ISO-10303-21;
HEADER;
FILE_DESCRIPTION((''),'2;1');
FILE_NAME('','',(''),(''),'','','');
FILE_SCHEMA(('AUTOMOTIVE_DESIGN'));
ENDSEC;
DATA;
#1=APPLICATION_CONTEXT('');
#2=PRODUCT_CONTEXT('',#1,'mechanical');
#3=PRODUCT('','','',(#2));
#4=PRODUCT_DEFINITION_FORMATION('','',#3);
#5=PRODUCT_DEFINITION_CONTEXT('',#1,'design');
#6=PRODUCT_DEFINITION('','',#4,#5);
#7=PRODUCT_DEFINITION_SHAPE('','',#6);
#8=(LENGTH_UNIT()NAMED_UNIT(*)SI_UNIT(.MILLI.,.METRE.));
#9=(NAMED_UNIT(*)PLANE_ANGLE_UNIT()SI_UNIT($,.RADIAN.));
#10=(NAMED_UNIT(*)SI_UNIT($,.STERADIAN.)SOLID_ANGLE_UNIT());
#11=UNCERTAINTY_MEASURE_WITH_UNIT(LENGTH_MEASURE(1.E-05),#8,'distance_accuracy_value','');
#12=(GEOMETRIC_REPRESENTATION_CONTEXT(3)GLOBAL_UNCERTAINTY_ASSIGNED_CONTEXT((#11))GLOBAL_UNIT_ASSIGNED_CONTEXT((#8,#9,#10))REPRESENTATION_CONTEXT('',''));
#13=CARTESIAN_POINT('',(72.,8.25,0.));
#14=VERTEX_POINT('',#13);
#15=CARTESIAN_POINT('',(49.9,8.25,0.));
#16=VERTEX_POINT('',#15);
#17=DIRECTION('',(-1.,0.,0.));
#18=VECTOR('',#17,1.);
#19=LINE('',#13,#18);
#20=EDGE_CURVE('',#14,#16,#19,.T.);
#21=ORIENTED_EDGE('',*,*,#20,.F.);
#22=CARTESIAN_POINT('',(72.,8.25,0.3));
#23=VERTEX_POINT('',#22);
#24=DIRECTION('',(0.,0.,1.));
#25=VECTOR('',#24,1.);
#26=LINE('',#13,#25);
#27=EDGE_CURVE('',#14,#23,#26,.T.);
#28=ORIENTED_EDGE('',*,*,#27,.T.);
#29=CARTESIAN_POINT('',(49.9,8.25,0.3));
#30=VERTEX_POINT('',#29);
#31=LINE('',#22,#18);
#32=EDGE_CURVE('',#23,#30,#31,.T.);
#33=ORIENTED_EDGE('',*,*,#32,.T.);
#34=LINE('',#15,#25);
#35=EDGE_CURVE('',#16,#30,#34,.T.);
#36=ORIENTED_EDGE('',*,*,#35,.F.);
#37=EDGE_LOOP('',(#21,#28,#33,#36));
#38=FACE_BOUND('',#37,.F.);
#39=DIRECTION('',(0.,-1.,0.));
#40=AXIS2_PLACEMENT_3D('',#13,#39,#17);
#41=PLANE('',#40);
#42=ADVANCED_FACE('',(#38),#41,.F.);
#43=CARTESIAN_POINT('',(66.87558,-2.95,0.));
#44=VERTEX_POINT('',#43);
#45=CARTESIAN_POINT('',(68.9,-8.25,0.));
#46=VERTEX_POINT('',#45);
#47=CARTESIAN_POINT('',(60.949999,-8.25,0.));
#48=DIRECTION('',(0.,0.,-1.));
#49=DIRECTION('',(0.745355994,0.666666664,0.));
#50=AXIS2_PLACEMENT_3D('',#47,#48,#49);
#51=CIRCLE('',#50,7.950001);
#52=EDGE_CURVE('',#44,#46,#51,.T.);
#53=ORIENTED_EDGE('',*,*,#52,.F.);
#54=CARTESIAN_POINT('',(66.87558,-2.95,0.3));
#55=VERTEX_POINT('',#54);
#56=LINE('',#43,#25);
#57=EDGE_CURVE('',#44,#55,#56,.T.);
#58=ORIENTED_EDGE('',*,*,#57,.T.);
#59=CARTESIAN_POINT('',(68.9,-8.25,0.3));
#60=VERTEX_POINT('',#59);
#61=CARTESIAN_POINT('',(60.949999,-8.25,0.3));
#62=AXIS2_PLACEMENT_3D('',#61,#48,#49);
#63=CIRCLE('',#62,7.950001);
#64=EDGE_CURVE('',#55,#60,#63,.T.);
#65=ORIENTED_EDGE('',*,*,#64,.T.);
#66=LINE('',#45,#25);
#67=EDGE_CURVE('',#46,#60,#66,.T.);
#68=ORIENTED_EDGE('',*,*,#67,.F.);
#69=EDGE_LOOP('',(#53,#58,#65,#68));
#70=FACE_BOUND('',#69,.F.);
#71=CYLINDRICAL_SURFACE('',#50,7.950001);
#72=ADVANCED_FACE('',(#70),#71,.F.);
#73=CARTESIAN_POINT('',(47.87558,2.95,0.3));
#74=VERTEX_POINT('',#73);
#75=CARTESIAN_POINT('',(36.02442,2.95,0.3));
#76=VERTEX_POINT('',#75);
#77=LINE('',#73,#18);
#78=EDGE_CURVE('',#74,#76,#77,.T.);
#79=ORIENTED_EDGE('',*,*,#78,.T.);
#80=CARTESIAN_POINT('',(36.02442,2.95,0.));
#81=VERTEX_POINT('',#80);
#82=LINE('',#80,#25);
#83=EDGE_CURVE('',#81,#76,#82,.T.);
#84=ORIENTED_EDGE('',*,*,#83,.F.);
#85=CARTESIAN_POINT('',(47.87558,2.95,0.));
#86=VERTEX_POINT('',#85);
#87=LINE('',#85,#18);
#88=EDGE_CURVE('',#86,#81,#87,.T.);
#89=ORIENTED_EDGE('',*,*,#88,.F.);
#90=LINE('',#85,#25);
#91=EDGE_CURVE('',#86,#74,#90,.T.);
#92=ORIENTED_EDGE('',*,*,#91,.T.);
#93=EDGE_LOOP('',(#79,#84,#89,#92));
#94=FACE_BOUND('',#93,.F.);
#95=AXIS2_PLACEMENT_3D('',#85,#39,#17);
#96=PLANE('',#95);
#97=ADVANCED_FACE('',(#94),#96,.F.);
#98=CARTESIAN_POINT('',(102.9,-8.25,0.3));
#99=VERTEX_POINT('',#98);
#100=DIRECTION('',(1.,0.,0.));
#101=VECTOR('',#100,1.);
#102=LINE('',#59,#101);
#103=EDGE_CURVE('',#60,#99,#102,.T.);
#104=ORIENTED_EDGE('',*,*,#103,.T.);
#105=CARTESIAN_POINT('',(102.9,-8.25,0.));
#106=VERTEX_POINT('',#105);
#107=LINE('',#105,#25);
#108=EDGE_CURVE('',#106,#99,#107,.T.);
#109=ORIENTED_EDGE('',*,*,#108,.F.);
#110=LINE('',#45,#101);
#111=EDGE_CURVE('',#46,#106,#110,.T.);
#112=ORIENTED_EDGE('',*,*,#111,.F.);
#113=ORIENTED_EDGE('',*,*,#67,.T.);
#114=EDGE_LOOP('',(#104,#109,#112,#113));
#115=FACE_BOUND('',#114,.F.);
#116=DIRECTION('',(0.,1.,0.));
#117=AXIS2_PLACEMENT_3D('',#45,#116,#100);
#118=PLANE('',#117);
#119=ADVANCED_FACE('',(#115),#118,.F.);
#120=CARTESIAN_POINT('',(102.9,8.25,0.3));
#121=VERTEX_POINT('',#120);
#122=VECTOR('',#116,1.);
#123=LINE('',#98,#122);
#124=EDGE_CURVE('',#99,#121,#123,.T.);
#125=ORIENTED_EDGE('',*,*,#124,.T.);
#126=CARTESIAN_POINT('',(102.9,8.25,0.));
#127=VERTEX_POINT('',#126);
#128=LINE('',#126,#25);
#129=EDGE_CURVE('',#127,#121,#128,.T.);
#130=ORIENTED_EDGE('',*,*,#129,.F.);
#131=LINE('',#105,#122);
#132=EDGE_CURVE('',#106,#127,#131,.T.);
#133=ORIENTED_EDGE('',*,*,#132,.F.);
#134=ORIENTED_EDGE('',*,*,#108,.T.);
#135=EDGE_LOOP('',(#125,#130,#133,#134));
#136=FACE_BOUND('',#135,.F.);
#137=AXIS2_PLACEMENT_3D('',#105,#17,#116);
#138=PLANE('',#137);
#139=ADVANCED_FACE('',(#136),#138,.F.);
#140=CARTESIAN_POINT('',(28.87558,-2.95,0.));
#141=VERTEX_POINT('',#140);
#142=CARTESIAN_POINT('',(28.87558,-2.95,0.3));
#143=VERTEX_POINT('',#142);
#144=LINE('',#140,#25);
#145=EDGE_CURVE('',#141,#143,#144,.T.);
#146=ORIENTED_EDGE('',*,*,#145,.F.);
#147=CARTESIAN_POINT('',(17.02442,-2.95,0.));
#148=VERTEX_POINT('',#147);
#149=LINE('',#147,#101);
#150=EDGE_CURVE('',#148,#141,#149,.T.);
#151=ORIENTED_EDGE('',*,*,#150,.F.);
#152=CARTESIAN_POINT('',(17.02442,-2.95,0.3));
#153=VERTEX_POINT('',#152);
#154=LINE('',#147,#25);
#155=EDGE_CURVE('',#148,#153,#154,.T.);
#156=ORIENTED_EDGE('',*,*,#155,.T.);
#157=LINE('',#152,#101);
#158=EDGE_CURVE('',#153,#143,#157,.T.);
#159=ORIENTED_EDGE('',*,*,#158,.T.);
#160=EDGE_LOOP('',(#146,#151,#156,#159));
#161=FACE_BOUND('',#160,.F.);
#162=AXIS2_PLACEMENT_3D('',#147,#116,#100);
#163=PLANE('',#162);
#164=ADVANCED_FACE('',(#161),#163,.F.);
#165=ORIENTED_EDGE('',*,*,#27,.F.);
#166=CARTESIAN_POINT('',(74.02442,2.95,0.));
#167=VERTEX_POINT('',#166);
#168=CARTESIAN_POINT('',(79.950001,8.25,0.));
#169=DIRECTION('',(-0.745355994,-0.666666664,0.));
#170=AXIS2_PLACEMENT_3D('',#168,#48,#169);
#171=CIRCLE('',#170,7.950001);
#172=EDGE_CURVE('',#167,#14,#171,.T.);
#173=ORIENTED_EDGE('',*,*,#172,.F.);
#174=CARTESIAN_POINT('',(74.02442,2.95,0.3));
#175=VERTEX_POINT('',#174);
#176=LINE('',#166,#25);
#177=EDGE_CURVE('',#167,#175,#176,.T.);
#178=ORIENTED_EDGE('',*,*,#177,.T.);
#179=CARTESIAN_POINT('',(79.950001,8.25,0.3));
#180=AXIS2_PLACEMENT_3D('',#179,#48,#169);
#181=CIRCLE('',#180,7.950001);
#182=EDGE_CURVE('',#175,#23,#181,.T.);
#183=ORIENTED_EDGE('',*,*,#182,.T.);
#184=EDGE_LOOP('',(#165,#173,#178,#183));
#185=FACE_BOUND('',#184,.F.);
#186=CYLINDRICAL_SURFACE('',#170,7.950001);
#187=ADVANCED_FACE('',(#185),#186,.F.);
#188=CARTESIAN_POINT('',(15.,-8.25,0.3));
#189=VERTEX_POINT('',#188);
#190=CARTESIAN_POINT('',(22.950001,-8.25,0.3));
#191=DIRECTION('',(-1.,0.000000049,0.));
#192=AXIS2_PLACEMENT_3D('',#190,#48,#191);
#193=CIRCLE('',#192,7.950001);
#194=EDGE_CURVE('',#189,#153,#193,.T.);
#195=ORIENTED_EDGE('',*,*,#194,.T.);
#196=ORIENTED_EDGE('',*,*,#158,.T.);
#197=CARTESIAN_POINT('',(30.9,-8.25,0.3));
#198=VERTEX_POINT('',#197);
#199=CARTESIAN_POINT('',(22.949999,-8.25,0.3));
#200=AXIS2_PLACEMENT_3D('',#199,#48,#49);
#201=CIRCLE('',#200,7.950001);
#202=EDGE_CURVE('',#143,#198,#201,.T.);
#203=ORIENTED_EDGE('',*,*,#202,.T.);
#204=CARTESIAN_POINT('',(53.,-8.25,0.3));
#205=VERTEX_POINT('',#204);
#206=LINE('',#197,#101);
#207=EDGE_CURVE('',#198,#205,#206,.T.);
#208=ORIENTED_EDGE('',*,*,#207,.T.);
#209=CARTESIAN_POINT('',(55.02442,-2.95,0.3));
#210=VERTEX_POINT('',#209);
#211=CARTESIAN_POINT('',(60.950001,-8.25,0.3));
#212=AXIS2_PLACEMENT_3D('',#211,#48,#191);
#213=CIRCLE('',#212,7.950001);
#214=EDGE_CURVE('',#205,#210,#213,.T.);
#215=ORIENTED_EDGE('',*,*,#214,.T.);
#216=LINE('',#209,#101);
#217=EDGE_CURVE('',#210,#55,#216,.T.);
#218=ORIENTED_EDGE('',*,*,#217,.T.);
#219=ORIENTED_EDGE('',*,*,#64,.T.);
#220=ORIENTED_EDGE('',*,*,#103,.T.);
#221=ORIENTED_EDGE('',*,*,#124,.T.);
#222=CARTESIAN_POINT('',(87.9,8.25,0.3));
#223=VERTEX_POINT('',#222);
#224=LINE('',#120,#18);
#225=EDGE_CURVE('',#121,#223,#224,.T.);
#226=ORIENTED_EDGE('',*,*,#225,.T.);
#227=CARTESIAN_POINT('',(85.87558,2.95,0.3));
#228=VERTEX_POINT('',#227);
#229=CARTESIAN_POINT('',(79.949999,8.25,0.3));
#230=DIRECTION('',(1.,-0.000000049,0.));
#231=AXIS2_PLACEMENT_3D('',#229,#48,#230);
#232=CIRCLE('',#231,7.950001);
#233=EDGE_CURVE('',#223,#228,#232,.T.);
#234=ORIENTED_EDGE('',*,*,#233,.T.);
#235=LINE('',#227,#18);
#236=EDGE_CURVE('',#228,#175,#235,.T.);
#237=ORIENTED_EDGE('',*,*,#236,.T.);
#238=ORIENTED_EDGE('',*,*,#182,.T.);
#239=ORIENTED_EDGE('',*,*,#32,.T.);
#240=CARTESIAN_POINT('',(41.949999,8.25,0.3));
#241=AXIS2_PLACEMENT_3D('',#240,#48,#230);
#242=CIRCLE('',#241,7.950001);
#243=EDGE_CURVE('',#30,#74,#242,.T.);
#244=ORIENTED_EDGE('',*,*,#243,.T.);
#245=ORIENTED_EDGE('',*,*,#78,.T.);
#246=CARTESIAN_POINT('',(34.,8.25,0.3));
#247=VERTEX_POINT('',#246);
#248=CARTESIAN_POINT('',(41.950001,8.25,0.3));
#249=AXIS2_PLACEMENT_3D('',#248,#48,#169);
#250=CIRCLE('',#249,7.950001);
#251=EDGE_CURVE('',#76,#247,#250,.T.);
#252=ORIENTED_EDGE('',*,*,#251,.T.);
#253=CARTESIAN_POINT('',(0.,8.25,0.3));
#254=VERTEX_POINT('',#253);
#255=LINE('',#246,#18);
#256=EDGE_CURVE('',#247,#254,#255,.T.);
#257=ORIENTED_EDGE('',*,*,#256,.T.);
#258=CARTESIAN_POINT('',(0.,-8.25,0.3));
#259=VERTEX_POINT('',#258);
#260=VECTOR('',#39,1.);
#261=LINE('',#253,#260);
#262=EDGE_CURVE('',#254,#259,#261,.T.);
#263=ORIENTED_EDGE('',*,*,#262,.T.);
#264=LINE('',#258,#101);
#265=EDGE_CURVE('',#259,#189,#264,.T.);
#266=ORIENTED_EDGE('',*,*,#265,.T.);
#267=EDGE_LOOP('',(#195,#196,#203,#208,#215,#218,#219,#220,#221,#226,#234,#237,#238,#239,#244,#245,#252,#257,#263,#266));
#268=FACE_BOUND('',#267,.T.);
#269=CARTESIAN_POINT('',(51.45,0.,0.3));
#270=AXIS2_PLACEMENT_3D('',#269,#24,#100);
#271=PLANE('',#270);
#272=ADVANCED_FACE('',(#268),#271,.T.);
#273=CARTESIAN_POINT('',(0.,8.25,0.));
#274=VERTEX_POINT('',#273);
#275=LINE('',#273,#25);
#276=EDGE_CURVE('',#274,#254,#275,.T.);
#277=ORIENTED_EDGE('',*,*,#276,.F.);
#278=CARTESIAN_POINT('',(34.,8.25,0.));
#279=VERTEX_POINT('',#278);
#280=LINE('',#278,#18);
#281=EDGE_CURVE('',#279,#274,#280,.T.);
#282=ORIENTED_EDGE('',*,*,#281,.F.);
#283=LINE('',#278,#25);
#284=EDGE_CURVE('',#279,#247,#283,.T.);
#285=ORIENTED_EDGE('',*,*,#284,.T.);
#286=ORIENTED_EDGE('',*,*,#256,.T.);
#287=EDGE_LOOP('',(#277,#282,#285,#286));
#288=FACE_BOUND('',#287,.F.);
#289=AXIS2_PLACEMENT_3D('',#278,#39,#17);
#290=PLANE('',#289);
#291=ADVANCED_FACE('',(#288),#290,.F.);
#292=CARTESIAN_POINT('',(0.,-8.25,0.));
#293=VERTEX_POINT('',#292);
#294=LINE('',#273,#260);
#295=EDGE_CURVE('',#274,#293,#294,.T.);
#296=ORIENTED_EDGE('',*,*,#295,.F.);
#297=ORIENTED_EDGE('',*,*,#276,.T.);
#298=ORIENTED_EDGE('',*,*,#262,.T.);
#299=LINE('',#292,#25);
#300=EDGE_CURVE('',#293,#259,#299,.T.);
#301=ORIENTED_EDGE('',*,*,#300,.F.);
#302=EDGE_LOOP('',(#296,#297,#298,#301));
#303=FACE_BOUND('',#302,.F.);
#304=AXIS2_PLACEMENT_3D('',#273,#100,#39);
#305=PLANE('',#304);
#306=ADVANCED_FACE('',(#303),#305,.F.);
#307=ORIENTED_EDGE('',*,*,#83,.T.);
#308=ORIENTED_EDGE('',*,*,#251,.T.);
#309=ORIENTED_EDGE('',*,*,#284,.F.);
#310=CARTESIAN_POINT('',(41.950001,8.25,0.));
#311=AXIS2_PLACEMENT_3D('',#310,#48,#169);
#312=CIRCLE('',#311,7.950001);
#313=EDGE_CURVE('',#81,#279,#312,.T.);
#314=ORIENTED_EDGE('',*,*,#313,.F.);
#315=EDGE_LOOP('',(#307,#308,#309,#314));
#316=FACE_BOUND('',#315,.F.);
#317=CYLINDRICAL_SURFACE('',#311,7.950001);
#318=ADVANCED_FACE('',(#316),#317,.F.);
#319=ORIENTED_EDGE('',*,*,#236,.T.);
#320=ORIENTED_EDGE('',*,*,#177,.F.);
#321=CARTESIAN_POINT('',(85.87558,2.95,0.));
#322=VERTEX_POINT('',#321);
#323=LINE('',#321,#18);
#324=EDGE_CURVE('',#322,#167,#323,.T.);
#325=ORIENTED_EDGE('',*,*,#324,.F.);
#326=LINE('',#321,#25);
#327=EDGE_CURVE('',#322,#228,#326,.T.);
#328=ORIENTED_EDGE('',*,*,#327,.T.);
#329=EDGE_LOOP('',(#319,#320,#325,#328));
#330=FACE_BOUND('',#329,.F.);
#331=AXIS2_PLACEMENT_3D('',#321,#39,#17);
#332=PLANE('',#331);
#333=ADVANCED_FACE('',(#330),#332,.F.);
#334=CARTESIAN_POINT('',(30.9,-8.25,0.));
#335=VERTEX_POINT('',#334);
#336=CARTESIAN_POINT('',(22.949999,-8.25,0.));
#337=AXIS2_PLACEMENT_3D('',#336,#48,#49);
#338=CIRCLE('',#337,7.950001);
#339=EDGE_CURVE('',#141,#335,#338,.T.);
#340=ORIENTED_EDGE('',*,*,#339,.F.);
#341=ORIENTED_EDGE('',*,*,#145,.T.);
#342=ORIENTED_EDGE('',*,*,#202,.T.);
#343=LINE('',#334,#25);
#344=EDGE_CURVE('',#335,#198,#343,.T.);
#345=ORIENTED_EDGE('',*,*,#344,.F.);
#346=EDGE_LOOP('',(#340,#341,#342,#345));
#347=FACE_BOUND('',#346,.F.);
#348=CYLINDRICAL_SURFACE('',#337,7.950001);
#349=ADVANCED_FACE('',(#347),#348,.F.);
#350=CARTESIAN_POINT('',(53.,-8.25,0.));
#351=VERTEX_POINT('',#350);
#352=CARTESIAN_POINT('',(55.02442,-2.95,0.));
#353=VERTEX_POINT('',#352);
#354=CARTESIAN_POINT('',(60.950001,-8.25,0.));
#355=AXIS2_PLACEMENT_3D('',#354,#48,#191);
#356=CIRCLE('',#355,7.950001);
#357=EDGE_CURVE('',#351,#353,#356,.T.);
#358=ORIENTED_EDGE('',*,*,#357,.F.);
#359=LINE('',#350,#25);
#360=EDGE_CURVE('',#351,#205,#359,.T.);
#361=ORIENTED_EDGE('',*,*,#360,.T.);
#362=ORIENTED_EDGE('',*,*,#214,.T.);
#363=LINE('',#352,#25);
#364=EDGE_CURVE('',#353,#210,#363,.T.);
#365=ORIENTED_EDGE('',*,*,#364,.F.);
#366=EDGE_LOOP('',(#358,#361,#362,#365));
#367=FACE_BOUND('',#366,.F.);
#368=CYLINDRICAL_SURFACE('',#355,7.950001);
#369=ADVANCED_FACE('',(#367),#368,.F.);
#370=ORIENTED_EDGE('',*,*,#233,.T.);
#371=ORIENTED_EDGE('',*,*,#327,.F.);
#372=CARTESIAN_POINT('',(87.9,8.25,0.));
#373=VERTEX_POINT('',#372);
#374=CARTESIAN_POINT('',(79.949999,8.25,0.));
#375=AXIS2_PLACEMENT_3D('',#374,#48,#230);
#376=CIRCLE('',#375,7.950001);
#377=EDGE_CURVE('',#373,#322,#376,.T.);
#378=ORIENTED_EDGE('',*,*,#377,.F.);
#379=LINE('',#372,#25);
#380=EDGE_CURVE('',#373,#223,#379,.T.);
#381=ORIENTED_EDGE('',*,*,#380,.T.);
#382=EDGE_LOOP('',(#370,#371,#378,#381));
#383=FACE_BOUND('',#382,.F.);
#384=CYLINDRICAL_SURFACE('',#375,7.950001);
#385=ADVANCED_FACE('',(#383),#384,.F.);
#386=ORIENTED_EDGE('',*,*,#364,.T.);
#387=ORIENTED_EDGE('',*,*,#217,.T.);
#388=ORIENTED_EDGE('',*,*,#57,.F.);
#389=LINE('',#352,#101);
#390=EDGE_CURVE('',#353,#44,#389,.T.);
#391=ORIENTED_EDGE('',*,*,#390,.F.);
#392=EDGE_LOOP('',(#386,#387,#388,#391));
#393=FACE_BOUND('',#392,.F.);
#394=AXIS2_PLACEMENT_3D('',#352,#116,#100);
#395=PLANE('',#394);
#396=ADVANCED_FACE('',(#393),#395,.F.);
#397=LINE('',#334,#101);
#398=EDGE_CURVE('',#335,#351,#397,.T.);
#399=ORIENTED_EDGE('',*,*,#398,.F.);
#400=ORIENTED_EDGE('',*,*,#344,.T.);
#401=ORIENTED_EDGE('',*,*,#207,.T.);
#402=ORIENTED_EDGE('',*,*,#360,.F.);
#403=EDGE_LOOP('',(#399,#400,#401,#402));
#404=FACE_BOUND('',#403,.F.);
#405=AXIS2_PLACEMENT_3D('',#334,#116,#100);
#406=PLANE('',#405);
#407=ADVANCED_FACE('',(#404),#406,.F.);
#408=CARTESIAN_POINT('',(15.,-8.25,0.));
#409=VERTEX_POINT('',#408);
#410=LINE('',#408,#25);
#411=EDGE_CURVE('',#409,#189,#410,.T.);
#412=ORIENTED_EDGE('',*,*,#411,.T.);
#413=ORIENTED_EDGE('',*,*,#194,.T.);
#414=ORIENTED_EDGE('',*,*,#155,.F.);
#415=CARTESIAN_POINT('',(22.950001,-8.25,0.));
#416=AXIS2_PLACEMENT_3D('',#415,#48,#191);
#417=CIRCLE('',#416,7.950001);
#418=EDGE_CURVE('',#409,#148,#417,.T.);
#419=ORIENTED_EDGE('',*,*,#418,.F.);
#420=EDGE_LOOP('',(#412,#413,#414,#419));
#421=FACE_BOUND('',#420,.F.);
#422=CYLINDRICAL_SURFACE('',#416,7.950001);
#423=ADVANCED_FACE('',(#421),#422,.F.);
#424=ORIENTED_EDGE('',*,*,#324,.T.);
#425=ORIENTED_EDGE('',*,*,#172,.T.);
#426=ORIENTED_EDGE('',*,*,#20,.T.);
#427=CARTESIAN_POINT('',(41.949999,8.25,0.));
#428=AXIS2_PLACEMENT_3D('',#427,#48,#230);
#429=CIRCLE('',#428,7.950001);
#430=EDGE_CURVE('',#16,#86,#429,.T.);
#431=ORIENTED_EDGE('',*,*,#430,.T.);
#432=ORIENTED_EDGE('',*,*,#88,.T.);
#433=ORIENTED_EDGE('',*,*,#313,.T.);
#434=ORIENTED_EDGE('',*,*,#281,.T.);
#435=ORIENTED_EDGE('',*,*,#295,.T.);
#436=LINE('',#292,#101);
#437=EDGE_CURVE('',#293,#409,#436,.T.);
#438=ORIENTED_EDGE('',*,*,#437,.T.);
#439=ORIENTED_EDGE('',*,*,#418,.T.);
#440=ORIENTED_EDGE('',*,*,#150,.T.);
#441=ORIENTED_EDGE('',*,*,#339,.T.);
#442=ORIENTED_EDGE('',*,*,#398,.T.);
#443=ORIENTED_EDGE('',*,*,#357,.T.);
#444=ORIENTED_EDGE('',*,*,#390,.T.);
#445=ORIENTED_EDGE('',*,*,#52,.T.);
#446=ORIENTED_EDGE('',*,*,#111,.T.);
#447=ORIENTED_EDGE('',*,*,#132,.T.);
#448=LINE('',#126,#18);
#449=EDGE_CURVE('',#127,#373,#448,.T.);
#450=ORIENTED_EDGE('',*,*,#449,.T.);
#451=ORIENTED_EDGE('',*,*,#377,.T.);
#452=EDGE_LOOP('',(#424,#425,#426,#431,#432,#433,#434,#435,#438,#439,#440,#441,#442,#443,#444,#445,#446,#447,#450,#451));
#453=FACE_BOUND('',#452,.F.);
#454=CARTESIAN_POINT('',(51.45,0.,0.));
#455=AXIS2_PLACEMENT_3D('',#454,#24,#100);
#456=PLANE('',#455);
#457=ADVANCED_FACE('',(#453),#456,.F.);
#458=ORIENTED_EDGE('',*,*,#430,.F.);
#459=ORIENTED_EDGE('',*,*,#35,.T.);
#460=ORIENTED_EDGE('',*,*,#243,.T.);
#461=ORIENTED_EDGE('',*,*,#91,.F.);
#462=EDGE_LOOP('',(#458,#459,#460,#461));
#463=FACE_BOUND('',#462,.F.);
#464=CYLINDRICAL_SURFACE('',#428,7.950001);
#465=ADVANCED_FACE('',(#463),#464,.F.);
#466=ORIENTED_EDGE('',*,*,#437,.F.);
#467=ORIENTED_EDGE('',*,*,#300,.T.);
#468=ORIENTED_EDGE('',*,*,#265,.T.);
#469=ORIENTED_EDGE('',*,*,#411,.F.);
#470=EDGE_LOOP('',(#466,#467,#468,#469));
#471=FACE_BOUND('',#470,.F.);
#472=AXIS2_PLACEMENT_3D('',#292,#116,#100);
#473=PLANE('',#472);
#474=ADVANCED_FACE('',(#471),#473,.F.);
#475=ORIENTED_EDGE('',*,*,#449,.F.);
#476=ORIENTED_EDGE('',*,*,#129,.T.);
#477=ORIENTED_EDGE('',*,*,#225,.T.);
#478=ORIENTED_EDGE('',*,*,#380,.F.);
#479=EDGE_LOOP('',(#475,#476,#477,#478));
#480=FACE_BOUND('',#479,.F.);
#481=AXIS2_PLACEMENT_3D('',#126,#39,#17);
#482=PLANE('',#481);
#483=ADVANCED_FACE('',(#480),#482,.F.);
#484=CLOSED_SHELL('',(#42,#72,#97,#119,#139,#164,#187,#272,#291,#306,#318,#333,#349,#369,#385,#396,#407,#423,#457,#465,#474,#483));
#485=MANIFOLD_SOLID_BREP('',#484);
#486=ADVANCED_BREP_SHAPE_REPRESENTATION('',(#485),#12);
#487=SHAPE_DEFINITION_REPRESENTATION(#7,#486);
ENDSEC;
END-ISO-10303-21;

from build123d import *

# Parameters (mm, degrees)
F1_DEPTH = 0.3


with BuildPart() as f1:
    # F0 (on Top) → F1 (new body)
    with BuildSketch(Plane.XY):
        with BuildLine():
            ThreePointArc((66.87558, -2.95), (68.37667, -5.413264), (68.9, -8.25))
            Line((68.9, -8.25), (102.9, -8.25))
            Line((102.9, -8.25), (102.9, 8.25))
            Line((102.9, 8.25), (87.9, 8.25))
            ThreePointArc((87.9, 8.25), (87.37667, 5.413264), (85.87558, 2.95))
            ThreePointArc((85.87558, 2.95), (79.95, 0.3), (74.02442, 2.95))
            ThreePointArc((74.02442, 2.95), (72.52333, 5.413264), (72, 8.25))
            Line((72, 8.25), (49.9, 8.25))
            ThreePointArc((49.9, 8.25), (49.37667, 5.413264), (47.87558, 2.95))
            ThreePointArc((47.87558, 2.95), (41.95, 0.3), (36.02442, 2.95))
            ThreePointArc((36.02442, 2.95), (34.52333, 5.413264), (34, 8.25))
            Line((34, 8.25), (0, 8.25))
            Line((0, 8.25), (0, -8.25))
            Line((0, -8.25), (15, -8.25))
            ThreePointArc((15, -8.25), (15.52333, -5.413264), (17.02442, -2.95))
            ThreePointArc((17.02442, -2.95), (22.95, -0.3), (28.87558, -2.95))
            ThreePointArc((28.87558, -2.95), (30.37667, -5.413264), (30.9, -8.25))
            Line((30.9, -8.25), (53, -8.25))
            ThreePointArc((53, -8.25), (53.52333, -5.413264), (55.02442, -2.95))
            ThreePointArc((55.02442, -2.95), (60.95, -0.3), (66.87558, -2.95))
        make_face()
        with BuildLine():
            Line((17.02442, -2.95), (28.87558, -2.95))
            ThreePointArc((28.87558, -2.95), (22.95, -0.3), (17.02442, -2.95))
        make_face()
        with BuildLine():
            ThreePointArc((36.02442, 2.95), (41.95, 0.3), (47.87558, 2.95))
            Line((47.87558, 2.95), (36.02442, 2.95))
        make_face()
        with BuildLine():
            Line((55.02442, -2.95), (66.87558, -2.95))
            ThreePointArc((66.87558, -2.95), (60.95, -0.3), (55.02442, -2.95))
        make_face()
        with BuildLine():
            ThreePointArc((74.02442, 2.95), (79.95, 0.3), (85.87558, 2.95))
            Line((85.87558, 2.95), (74.02442, 2.95))
        make_face()
    extrude(amount=F1_DEPTH)


solid = f1.part
